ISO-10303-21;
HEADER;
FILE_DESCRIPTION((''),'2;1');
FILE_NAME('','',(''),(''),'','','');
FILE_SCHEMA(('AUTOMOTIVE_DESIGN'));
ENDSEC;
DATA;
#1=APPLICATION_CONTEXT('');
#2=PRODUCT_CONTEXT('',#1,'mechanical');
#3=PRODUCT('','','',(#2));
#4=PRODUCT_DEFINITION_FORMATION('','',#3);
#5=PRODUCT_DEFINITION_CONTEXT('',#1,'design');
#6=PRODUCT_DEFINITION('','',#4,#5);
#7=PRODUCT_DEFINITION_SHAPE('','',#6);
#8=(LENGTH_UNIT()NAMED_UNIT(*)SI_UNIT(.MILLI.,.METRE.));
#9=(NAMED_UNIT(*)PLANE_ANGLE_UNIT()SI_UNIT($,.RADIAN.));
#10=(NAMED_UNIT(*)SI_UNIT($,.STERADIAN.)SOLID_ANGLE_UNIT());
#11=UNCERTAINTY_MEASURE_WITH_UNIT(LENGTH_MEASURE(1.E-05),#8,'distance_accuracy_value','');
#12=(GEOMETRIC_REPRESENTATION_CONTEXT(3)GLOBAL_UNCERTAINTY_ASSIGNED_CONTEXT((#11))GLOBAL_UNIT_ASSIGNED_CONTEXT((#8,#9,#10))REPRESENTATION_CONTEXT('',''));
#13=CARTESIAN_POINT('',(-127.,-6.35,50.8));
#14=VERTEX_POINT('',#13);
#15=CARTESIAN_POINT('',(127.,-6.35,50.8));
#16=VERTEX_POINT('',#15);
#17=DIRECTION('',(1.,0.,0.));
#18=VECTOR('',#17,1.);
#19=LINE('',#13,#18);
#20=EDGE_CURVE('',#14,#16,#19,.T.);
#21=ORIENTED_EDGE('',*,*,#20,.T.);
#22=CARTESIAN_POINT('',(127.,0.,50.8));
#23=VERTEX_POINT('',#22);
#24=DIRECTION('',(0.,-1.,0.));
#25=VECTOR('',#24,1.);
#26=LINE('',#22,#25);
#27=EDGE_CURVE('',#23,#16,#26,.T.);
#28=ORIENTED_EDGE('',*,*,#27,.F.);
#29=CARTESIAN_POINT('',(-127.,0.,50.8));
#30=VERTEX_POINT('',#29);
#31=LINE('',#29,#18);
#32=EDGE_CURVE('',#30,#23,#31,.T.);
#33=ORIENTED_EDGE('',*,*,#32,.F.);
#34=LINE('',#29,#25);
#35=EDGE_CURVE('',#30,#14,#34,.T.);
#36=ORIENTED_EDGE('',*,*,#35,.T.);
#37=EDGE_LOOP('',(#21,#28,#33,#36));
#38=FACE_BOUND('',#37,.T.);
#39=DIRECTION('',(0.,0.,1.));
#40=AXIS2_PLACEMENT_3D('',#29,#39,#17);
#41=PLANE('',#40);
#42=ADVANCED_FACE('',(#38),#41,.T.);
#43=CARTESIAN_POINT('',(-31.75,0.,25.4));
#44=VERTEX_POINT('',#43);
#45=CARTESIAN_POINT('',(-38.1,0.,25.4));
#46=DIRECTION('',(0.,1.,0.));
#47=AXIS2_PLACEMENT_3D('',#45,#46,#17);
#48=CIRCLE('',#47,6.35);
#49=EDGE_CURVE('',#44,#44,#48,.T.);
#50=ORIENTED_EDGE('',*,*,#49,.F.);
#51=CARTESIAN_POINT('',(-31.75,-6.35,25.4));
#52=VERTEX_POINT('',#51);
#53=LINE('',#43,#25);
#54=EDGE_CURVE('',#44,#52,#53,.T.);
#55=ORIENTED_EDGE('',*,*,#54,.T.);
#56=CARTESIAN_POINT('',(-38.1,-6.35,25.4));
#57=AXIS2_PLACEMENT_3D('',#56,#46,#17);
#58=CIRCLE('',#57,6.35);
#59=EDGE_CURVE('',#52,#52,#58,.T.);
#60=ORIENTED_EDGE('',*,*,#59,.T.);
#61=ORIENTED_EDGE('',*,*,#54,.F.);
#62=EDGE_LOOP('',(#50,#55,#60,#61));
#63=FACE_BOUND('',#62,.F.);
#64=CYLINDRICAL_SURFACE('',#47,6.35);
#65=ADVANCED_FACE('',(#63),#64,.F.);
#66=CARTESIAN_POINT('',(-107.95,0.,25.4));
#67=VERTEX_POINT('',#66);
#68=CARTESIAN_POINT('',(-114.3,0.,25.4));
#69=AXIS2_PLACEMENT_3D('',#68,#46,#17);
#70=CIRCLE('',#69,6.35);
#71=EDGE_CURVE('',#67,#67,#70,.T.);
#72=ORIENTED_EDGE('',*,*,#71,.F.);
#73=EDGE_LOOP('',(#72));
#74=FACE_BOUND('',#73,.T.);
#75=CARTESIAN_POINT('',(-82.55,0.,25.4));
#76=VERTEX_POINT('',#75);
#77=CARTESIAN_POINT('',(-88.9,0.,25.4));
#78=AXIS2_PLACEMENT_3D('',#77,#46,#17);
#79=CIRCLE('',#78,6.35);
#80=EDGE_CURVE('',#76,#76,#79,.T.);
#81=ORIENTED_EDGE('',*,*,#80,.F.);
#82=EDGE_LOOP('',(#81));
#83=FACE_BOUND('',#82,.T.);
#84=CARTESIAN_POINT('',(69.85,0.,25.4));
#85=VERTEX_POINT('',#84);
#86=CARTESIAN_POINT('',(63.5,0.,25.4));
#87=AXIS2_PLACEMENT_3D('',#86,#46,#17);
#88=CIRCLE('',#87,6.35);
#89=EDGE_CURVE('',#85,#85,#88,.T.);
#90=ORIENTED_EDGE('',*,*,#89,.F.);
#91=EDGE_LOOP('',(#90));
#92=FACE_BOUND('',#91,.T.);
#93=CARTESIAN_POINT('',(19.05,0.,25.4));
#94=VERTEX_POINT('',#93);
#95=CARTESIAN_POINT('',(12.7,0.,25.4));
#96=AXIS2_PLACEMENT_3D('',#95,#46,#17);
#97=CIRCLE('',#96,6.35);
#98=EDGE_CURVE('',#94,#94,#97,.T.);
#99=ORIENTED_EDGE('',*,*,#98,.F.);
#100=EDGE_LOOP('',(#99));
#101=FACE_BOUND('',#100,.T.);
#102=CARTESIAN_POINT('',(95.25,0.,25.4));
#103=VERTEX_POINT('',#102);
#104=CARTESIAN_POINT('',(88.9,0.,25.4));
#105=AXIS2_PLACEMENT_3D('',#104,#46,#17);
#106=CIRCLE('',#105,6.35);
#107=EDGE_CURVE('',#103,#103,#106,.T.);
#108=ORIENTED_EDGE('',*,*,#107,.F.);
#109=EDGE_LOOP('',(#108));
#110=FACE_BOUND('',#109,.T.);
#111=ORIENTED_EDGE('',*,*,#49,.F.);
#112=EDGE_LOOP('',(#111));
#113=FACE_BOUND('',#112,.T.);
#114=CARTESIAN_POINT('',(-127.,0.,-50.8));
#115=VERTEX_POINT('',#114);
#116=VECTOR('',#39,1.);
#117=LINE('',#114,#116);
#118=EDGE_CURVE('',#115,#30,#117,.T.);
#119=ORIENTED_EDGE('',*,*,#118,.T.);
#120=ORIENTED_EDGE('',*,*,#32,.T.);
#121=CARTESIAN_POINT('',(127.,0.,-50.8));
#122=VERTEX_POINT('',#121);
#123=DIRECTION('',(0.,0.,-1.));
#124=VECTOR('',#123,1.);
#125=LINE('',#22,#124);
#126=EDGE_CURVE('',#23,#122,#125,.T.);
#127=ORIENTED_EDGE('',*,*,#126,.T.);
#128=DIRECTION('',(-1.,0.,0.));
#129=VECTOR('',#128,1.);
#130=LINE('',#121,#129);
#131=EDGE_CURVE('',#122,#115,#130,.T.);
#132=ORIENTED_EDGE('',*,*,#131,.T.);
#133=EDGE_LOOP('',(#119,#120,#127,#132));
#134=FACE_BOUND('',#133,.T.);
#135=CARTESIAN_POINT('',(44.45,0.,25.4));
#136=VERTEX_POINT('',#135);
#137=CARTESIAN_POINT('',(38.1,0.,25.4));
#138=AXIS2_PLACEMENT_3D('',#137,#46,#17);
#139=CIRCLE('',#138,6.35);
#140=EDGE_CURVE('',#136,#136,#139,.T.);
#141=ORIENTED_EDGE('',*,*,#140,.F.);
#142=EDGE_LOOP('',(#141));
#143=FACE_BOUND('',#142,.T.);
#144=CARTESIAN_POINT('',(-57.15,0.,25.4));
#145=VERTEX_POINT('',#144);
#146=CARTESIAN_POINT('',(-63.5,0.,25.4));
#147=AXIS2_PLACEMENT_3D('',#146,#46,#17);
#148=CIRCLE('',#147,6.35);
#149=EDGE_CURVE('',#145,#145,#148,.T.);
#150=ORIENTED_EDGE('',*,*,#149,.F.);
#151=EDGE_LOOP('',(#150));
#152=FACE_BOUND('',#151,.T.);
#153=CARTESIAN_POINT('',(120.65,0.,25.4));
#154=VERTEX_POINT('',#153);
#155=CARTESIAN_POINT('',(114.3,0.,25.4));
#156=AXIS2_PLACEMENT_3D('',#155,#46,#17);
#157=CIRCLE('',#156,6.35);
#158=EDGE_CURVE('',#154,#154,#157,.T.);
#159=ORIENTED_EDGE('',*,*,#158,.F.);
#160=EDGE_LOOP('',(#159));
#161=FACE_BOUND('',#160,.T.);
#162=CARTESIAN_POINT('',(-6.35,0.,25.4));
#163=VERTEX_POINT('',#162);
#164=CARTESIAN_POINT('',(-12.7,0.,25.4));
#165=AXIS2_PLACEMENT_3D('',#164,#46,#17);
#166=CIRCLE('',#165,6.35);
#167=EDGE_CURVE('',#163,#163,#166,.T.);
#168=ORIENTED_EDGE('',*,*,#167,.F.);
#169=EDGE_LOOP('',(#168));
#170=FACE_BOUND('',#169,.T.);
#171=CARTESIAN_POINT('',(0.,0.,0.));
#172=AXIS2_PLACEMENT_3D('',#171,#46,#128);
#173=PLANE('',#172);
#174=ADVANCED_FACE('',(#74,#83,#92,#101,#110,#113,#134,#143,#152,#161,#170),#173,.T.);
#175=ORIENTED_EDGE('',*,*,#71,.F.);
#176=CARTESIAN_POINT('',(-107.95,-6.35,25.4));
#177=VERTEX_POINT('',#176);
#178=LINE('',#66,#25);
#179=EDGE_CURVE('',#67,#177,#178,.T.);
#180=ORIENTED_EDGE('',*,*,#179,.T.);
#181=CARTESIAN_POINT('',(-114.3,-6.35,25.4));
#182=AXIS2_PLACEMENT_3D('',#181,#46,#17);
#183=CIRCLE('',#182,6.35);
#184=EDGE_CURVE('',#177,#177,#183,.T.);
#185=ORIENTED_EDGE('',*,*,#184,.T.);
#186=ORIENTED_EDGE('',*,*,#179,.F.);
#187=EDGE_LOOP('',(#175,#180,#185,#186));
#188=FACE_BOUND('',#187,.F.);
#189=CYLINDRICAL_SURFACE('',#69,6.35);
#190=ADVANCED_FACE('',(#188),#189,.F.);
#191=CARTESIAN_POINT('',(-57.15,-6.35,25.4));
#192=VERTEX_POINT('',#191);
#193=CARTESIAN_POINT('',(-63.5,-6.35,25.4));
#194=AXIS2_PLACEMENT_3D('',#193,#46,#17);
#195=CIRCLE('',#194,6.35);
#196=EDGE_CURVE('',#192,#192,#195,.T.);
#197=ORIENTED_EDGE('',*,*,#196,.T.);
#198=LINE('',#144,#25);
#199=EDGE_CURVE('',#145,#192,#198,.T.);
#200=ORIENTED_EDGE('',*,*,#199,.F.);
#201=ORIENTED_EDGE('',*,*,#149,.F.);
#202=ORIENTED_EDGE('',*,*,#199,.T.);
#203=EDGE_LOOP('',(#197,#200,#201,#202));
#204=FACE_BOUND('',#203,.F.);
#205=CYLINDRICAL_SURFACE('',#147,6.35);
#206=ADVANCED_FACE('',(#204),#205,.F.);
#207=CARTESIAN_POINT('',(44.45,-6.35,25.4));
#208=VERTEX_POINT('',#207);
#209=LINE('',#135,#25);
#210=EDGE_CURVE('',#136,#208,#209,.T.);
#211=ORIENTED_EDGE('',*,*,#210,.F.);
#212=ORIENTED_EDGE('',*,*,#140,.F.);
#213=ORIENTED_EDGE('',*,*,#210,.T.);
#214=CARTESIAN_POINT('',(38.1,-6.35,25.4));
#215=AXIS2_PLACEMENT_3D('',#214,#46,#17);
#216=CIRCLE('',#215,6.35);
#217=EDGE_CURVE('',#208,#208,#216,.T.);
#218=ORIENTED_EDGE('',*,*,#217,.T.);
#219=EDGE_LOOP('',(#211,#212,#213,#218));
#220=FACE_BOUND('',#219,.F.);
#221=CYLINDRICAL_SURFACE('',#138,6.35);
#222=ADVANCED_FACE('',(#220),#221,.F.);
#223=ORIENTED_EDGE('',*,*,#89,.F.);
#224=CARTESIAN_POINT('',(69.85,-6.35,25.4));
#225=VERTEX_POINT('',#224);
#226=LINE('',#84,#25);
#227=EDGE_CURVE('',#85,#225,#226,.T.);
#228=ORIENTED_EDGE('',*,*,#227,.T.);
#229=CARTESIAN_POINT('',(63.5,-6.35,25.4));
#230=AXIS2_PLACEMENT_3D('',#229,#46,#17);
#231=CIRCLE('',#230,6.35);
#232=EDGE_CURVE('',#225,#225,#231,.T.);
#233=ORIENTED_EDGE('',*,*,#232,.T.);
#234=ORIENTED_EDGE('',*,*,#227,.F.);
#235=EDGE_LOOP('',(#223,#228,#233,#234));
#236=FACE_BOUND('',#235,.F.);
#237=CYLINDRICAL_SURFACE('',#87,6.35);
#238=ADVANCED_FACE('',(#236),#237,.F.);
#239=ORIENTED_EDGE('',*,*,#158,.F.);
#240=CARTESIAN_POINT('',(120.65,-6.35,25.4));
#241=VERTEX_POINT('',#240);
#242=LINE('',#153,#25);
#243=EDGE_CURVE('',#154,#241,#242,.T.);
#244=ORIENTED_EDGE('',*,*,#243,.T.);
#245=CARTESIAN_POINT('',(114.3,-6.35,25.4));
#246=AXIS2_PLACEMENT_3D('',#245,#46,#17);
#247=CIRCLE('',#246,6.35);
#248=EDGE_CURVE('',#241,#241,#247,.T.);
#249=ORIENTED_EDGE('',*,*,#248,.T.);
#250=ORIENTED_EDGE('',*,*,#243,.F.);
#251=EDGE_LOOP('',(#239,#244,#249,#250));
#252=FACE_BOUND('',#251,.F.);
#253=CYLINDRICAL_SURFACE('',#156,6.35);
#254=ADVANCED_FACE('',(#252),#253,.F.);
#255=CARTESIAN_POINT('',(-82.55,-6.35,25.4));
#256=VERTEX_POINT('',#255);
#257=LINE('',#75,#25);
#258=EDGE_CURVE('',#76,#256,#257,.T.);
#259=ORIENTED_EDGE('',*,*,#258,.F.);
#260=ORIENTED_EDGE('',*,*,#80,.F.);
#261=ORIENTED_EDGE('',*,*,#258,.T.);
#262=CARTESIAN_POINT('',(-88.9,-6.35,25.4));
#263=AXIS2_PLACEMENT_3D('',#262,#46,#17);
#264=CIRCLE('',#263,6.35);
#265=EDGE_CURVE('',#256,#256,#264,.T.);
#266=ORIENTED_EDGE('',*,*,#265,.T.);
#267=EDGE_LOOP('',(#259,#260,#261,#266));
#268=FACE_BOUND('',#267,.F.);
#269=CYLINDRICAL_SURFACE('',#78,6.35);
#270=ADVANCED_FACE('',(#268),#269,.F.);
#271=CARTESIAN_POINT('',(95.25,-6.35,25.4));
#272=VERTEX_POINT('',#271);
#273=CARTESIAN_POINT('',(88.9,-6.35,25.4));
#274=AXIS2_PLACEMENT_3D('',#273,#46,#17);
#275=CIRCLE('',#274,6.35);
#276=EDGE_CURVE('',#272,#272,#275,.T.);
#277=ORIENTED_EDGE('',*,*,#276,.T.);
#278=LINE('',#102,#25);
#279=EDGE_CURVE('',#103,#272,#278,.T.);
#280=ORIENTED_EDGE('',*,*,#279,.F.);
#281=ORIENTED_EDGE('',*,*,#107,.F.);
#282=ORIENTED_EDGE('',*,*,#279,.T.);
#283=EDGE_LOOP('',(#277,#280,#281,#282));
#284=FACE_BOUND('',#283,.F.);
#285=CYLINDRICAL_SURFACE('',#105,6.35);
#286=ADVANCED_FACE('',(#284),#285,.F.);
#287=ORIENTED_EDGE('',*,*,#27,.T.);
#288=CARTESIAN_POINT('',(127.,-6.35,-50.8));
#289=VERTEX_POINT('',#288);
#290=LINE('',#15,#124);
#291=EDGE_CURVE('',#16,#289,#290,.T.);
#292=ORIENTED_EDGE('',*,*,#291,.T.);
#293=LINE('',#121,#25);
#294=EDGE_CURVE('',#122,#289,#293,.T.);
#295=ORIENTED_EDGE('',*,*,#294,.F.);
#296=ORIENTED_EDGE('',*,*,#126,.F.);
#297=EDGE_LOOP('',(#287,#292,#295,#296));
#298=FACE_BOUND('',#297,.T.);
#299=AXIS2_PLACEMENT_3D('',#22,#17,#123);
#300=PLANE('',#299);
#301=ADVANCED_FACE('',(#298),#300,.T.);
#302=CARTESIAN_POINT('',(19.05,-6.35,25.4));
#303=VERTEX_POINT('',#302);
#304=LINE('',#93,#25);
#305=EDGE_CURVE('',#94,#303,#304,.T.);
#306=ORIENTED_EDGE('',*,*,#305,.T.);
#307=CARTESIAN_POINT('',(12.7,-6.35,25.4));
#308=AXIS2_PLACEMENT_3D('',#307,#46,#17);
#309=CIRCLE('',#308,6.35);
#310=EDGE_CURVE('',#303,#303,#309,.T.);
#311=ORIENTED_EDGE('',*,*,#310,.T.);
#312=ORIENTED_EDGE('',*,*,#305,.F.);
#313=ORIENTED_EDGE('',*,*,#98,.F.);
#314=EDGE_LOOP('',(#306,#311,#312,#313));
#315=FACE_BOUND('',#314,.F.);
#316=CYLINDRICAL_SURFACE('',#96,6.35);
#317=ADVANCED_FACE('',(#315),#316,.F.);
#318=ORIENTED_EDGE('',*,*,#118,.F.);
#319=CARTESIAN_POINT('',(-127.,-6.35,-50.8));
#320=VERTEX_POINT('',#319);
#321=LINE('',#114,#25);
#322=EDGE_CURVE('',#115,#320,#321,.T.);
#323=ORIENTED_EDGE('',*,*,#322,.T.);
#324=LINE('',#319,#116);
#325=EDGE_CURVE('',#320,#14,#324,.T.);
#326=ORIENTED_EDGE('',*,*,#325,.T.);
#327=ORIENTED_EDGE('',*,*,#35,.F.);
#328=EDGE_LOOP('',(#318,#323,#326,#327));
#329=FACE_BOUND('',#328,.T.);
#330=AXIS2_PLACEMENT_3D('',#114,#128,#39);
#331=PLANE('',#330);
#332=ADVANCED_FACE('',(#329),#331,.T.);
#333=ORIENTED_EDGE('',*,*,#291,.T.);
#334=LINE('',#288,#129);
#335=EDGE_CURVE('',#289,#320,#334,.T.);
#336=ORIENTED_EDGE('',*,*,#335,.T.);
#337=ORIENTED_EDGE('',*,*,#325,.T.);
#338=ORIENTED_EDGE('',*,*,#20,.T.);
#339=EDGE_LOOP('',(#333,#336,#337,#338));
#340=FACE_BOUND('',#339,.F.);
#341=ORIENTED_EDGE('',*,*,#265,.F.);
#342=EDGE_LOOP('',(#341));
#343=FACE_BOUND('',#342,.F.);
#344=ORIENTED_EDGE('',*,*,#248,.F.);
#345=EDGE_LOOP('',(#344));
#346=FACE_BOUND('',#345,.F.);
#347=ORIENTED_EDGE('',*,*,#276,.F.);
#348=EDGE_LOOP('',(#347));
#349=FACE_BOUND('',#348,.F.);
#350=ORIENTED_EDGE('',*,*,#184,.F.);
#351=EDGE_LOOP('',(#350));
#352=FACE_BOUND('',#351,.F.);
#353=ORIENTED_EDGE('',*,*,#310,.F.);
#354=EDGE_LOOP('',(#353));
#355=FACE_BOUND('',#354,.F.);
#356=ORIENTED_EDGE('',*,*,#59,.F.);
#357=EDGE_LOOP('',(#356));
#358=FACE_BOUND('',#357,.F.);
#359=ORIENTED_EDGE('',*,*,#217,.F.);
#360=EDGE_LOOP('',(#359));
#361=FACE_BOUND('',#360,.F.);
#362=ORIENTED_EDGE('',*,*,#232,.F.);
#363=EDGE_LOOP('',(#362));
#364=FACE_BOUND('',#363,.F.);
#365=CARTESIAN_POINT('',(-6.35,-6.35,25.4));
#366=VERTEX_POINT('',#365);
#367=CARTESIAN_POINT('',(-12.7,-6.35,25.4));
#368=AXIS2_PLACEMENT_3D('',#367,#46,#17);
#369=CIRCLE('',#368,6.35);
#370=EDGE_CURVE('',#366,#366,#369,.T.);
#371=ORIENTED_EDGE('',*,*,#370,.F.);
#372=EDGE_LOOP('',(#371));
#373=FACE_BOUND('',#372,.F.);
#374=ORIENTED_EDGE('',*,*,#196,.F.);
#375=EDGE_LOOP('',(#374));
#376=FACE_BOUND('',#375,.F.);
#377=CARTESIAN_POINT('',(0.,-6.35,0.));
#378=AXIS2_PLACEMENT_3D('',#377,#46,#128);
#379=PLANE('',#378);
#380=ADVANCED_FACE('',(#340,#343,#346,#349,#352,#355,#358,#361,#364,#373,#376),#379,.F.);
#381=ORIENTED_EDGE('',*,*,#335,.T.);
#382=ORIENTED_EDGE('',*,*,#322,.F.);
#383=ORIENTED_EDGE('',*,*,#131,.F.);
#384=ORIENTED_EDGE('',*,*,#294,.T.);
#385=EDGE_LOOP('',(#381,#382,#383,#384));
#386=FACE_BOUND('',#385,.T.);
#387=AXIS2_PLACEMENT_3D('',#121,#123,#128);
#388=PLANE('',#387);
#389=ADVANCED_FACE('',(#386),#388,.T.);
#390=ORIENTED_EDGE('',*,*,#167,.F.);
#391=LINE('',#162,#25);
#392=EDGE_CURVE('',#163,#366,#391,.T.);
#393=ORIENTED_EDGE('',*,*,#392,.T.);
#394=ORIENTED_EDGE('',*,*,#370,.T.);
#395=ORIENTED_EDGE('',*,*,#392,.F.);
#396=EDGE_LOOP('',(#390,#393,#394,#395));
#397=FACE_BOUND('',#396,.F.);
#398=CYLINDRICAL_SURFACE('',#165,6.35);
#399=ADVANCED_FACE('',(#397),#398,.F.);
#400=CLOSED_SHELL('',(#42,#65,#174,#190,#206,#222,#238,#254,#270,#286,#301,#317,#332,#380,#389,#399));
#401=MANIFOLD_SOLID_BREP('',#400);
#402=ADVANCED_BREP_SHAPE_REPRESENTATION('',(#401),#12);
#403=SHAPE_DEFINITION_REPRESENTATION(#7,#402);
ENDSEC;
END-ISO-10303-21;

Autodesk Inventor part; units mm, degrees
ref_plane "YZ Plane" through (0, 0, 0) normal (1, 0, 0) x (0, 1, 0)
ref_plane "XZ Plane" through (0, 0, 0) normal (0, 1, 0) x (-1, 0, 0)
ref_plane "XY Plane" through (0, 0, 0) normal (0, 0, 1) x (1, 0, 0)
sketch "Sketch1" plane through (0, 0, 0) normal (0, 1, 0) x (-1, 0, 0)
  line L0 (127, 50.8) -> (-127, 50.8)
  line L1 (-127, 50.8) -> (-127, -50.8)
  line L2 (-127, -50.8) -> (127, -50.8)
  line L3 (127, -50.8) -> (127, 50.8)
  line L4 (127, 50.8) -> (-127, -50.8) construction
  line L5 (-127, 50.8) -> (127, -50.8) construction
  point P0 (0, 0)
  dimension "d3" = 101.6
  dimension "d13" = 254
extrude "Extrusion1" add sketch "Sketch1" against normal blind 6.35
sketch "Sketch3" plane through (0, 0, 0) normal (0, 1, 0) x (1, 0, 0)
  line L0 (-127, -50.8) -> (-127, 50.8) construction
  line L1 (-127, -25.4) -> (127, -25.4) construction
  line L2 (127, 50.8) -> (127, -50.8) construction
  line L3 (127, 50.8) -> (-127, 50.8) construction
  circle A0 centre (-114.3, -25.4) radius 6.35
  circle A1 centre (-88.9, -25.4) radius 6.35
  circle A2 centre (-63.5, -25.4) radius 6.35
  circle A3 centre (-38.1, -25.4) radius 6.35
  circle A4 centre (-12.7, -25.4) radius 6.35
  circle A5 centre (12.7, -25.4) radius 6.35
  circle A6 centre (38.1, -25.4) radius 6.35
  circle A7 centre (63.5, -25.4) radius 6.35
  circle A8 centre (88.9, -25.4) radius 6.35
  circle A9 centre (114.3, -25.4) radius 6.35
  point P0 (0, 0)
  dimension "d2" = 76.2
  dimension "d4" = 12.7
  dimension "d5" = 12.7
  dimension "d8" = 25.4
extrude "Extrusion2" cut sketch "Sketch3" against normal through all
properties part number "10-holes"
